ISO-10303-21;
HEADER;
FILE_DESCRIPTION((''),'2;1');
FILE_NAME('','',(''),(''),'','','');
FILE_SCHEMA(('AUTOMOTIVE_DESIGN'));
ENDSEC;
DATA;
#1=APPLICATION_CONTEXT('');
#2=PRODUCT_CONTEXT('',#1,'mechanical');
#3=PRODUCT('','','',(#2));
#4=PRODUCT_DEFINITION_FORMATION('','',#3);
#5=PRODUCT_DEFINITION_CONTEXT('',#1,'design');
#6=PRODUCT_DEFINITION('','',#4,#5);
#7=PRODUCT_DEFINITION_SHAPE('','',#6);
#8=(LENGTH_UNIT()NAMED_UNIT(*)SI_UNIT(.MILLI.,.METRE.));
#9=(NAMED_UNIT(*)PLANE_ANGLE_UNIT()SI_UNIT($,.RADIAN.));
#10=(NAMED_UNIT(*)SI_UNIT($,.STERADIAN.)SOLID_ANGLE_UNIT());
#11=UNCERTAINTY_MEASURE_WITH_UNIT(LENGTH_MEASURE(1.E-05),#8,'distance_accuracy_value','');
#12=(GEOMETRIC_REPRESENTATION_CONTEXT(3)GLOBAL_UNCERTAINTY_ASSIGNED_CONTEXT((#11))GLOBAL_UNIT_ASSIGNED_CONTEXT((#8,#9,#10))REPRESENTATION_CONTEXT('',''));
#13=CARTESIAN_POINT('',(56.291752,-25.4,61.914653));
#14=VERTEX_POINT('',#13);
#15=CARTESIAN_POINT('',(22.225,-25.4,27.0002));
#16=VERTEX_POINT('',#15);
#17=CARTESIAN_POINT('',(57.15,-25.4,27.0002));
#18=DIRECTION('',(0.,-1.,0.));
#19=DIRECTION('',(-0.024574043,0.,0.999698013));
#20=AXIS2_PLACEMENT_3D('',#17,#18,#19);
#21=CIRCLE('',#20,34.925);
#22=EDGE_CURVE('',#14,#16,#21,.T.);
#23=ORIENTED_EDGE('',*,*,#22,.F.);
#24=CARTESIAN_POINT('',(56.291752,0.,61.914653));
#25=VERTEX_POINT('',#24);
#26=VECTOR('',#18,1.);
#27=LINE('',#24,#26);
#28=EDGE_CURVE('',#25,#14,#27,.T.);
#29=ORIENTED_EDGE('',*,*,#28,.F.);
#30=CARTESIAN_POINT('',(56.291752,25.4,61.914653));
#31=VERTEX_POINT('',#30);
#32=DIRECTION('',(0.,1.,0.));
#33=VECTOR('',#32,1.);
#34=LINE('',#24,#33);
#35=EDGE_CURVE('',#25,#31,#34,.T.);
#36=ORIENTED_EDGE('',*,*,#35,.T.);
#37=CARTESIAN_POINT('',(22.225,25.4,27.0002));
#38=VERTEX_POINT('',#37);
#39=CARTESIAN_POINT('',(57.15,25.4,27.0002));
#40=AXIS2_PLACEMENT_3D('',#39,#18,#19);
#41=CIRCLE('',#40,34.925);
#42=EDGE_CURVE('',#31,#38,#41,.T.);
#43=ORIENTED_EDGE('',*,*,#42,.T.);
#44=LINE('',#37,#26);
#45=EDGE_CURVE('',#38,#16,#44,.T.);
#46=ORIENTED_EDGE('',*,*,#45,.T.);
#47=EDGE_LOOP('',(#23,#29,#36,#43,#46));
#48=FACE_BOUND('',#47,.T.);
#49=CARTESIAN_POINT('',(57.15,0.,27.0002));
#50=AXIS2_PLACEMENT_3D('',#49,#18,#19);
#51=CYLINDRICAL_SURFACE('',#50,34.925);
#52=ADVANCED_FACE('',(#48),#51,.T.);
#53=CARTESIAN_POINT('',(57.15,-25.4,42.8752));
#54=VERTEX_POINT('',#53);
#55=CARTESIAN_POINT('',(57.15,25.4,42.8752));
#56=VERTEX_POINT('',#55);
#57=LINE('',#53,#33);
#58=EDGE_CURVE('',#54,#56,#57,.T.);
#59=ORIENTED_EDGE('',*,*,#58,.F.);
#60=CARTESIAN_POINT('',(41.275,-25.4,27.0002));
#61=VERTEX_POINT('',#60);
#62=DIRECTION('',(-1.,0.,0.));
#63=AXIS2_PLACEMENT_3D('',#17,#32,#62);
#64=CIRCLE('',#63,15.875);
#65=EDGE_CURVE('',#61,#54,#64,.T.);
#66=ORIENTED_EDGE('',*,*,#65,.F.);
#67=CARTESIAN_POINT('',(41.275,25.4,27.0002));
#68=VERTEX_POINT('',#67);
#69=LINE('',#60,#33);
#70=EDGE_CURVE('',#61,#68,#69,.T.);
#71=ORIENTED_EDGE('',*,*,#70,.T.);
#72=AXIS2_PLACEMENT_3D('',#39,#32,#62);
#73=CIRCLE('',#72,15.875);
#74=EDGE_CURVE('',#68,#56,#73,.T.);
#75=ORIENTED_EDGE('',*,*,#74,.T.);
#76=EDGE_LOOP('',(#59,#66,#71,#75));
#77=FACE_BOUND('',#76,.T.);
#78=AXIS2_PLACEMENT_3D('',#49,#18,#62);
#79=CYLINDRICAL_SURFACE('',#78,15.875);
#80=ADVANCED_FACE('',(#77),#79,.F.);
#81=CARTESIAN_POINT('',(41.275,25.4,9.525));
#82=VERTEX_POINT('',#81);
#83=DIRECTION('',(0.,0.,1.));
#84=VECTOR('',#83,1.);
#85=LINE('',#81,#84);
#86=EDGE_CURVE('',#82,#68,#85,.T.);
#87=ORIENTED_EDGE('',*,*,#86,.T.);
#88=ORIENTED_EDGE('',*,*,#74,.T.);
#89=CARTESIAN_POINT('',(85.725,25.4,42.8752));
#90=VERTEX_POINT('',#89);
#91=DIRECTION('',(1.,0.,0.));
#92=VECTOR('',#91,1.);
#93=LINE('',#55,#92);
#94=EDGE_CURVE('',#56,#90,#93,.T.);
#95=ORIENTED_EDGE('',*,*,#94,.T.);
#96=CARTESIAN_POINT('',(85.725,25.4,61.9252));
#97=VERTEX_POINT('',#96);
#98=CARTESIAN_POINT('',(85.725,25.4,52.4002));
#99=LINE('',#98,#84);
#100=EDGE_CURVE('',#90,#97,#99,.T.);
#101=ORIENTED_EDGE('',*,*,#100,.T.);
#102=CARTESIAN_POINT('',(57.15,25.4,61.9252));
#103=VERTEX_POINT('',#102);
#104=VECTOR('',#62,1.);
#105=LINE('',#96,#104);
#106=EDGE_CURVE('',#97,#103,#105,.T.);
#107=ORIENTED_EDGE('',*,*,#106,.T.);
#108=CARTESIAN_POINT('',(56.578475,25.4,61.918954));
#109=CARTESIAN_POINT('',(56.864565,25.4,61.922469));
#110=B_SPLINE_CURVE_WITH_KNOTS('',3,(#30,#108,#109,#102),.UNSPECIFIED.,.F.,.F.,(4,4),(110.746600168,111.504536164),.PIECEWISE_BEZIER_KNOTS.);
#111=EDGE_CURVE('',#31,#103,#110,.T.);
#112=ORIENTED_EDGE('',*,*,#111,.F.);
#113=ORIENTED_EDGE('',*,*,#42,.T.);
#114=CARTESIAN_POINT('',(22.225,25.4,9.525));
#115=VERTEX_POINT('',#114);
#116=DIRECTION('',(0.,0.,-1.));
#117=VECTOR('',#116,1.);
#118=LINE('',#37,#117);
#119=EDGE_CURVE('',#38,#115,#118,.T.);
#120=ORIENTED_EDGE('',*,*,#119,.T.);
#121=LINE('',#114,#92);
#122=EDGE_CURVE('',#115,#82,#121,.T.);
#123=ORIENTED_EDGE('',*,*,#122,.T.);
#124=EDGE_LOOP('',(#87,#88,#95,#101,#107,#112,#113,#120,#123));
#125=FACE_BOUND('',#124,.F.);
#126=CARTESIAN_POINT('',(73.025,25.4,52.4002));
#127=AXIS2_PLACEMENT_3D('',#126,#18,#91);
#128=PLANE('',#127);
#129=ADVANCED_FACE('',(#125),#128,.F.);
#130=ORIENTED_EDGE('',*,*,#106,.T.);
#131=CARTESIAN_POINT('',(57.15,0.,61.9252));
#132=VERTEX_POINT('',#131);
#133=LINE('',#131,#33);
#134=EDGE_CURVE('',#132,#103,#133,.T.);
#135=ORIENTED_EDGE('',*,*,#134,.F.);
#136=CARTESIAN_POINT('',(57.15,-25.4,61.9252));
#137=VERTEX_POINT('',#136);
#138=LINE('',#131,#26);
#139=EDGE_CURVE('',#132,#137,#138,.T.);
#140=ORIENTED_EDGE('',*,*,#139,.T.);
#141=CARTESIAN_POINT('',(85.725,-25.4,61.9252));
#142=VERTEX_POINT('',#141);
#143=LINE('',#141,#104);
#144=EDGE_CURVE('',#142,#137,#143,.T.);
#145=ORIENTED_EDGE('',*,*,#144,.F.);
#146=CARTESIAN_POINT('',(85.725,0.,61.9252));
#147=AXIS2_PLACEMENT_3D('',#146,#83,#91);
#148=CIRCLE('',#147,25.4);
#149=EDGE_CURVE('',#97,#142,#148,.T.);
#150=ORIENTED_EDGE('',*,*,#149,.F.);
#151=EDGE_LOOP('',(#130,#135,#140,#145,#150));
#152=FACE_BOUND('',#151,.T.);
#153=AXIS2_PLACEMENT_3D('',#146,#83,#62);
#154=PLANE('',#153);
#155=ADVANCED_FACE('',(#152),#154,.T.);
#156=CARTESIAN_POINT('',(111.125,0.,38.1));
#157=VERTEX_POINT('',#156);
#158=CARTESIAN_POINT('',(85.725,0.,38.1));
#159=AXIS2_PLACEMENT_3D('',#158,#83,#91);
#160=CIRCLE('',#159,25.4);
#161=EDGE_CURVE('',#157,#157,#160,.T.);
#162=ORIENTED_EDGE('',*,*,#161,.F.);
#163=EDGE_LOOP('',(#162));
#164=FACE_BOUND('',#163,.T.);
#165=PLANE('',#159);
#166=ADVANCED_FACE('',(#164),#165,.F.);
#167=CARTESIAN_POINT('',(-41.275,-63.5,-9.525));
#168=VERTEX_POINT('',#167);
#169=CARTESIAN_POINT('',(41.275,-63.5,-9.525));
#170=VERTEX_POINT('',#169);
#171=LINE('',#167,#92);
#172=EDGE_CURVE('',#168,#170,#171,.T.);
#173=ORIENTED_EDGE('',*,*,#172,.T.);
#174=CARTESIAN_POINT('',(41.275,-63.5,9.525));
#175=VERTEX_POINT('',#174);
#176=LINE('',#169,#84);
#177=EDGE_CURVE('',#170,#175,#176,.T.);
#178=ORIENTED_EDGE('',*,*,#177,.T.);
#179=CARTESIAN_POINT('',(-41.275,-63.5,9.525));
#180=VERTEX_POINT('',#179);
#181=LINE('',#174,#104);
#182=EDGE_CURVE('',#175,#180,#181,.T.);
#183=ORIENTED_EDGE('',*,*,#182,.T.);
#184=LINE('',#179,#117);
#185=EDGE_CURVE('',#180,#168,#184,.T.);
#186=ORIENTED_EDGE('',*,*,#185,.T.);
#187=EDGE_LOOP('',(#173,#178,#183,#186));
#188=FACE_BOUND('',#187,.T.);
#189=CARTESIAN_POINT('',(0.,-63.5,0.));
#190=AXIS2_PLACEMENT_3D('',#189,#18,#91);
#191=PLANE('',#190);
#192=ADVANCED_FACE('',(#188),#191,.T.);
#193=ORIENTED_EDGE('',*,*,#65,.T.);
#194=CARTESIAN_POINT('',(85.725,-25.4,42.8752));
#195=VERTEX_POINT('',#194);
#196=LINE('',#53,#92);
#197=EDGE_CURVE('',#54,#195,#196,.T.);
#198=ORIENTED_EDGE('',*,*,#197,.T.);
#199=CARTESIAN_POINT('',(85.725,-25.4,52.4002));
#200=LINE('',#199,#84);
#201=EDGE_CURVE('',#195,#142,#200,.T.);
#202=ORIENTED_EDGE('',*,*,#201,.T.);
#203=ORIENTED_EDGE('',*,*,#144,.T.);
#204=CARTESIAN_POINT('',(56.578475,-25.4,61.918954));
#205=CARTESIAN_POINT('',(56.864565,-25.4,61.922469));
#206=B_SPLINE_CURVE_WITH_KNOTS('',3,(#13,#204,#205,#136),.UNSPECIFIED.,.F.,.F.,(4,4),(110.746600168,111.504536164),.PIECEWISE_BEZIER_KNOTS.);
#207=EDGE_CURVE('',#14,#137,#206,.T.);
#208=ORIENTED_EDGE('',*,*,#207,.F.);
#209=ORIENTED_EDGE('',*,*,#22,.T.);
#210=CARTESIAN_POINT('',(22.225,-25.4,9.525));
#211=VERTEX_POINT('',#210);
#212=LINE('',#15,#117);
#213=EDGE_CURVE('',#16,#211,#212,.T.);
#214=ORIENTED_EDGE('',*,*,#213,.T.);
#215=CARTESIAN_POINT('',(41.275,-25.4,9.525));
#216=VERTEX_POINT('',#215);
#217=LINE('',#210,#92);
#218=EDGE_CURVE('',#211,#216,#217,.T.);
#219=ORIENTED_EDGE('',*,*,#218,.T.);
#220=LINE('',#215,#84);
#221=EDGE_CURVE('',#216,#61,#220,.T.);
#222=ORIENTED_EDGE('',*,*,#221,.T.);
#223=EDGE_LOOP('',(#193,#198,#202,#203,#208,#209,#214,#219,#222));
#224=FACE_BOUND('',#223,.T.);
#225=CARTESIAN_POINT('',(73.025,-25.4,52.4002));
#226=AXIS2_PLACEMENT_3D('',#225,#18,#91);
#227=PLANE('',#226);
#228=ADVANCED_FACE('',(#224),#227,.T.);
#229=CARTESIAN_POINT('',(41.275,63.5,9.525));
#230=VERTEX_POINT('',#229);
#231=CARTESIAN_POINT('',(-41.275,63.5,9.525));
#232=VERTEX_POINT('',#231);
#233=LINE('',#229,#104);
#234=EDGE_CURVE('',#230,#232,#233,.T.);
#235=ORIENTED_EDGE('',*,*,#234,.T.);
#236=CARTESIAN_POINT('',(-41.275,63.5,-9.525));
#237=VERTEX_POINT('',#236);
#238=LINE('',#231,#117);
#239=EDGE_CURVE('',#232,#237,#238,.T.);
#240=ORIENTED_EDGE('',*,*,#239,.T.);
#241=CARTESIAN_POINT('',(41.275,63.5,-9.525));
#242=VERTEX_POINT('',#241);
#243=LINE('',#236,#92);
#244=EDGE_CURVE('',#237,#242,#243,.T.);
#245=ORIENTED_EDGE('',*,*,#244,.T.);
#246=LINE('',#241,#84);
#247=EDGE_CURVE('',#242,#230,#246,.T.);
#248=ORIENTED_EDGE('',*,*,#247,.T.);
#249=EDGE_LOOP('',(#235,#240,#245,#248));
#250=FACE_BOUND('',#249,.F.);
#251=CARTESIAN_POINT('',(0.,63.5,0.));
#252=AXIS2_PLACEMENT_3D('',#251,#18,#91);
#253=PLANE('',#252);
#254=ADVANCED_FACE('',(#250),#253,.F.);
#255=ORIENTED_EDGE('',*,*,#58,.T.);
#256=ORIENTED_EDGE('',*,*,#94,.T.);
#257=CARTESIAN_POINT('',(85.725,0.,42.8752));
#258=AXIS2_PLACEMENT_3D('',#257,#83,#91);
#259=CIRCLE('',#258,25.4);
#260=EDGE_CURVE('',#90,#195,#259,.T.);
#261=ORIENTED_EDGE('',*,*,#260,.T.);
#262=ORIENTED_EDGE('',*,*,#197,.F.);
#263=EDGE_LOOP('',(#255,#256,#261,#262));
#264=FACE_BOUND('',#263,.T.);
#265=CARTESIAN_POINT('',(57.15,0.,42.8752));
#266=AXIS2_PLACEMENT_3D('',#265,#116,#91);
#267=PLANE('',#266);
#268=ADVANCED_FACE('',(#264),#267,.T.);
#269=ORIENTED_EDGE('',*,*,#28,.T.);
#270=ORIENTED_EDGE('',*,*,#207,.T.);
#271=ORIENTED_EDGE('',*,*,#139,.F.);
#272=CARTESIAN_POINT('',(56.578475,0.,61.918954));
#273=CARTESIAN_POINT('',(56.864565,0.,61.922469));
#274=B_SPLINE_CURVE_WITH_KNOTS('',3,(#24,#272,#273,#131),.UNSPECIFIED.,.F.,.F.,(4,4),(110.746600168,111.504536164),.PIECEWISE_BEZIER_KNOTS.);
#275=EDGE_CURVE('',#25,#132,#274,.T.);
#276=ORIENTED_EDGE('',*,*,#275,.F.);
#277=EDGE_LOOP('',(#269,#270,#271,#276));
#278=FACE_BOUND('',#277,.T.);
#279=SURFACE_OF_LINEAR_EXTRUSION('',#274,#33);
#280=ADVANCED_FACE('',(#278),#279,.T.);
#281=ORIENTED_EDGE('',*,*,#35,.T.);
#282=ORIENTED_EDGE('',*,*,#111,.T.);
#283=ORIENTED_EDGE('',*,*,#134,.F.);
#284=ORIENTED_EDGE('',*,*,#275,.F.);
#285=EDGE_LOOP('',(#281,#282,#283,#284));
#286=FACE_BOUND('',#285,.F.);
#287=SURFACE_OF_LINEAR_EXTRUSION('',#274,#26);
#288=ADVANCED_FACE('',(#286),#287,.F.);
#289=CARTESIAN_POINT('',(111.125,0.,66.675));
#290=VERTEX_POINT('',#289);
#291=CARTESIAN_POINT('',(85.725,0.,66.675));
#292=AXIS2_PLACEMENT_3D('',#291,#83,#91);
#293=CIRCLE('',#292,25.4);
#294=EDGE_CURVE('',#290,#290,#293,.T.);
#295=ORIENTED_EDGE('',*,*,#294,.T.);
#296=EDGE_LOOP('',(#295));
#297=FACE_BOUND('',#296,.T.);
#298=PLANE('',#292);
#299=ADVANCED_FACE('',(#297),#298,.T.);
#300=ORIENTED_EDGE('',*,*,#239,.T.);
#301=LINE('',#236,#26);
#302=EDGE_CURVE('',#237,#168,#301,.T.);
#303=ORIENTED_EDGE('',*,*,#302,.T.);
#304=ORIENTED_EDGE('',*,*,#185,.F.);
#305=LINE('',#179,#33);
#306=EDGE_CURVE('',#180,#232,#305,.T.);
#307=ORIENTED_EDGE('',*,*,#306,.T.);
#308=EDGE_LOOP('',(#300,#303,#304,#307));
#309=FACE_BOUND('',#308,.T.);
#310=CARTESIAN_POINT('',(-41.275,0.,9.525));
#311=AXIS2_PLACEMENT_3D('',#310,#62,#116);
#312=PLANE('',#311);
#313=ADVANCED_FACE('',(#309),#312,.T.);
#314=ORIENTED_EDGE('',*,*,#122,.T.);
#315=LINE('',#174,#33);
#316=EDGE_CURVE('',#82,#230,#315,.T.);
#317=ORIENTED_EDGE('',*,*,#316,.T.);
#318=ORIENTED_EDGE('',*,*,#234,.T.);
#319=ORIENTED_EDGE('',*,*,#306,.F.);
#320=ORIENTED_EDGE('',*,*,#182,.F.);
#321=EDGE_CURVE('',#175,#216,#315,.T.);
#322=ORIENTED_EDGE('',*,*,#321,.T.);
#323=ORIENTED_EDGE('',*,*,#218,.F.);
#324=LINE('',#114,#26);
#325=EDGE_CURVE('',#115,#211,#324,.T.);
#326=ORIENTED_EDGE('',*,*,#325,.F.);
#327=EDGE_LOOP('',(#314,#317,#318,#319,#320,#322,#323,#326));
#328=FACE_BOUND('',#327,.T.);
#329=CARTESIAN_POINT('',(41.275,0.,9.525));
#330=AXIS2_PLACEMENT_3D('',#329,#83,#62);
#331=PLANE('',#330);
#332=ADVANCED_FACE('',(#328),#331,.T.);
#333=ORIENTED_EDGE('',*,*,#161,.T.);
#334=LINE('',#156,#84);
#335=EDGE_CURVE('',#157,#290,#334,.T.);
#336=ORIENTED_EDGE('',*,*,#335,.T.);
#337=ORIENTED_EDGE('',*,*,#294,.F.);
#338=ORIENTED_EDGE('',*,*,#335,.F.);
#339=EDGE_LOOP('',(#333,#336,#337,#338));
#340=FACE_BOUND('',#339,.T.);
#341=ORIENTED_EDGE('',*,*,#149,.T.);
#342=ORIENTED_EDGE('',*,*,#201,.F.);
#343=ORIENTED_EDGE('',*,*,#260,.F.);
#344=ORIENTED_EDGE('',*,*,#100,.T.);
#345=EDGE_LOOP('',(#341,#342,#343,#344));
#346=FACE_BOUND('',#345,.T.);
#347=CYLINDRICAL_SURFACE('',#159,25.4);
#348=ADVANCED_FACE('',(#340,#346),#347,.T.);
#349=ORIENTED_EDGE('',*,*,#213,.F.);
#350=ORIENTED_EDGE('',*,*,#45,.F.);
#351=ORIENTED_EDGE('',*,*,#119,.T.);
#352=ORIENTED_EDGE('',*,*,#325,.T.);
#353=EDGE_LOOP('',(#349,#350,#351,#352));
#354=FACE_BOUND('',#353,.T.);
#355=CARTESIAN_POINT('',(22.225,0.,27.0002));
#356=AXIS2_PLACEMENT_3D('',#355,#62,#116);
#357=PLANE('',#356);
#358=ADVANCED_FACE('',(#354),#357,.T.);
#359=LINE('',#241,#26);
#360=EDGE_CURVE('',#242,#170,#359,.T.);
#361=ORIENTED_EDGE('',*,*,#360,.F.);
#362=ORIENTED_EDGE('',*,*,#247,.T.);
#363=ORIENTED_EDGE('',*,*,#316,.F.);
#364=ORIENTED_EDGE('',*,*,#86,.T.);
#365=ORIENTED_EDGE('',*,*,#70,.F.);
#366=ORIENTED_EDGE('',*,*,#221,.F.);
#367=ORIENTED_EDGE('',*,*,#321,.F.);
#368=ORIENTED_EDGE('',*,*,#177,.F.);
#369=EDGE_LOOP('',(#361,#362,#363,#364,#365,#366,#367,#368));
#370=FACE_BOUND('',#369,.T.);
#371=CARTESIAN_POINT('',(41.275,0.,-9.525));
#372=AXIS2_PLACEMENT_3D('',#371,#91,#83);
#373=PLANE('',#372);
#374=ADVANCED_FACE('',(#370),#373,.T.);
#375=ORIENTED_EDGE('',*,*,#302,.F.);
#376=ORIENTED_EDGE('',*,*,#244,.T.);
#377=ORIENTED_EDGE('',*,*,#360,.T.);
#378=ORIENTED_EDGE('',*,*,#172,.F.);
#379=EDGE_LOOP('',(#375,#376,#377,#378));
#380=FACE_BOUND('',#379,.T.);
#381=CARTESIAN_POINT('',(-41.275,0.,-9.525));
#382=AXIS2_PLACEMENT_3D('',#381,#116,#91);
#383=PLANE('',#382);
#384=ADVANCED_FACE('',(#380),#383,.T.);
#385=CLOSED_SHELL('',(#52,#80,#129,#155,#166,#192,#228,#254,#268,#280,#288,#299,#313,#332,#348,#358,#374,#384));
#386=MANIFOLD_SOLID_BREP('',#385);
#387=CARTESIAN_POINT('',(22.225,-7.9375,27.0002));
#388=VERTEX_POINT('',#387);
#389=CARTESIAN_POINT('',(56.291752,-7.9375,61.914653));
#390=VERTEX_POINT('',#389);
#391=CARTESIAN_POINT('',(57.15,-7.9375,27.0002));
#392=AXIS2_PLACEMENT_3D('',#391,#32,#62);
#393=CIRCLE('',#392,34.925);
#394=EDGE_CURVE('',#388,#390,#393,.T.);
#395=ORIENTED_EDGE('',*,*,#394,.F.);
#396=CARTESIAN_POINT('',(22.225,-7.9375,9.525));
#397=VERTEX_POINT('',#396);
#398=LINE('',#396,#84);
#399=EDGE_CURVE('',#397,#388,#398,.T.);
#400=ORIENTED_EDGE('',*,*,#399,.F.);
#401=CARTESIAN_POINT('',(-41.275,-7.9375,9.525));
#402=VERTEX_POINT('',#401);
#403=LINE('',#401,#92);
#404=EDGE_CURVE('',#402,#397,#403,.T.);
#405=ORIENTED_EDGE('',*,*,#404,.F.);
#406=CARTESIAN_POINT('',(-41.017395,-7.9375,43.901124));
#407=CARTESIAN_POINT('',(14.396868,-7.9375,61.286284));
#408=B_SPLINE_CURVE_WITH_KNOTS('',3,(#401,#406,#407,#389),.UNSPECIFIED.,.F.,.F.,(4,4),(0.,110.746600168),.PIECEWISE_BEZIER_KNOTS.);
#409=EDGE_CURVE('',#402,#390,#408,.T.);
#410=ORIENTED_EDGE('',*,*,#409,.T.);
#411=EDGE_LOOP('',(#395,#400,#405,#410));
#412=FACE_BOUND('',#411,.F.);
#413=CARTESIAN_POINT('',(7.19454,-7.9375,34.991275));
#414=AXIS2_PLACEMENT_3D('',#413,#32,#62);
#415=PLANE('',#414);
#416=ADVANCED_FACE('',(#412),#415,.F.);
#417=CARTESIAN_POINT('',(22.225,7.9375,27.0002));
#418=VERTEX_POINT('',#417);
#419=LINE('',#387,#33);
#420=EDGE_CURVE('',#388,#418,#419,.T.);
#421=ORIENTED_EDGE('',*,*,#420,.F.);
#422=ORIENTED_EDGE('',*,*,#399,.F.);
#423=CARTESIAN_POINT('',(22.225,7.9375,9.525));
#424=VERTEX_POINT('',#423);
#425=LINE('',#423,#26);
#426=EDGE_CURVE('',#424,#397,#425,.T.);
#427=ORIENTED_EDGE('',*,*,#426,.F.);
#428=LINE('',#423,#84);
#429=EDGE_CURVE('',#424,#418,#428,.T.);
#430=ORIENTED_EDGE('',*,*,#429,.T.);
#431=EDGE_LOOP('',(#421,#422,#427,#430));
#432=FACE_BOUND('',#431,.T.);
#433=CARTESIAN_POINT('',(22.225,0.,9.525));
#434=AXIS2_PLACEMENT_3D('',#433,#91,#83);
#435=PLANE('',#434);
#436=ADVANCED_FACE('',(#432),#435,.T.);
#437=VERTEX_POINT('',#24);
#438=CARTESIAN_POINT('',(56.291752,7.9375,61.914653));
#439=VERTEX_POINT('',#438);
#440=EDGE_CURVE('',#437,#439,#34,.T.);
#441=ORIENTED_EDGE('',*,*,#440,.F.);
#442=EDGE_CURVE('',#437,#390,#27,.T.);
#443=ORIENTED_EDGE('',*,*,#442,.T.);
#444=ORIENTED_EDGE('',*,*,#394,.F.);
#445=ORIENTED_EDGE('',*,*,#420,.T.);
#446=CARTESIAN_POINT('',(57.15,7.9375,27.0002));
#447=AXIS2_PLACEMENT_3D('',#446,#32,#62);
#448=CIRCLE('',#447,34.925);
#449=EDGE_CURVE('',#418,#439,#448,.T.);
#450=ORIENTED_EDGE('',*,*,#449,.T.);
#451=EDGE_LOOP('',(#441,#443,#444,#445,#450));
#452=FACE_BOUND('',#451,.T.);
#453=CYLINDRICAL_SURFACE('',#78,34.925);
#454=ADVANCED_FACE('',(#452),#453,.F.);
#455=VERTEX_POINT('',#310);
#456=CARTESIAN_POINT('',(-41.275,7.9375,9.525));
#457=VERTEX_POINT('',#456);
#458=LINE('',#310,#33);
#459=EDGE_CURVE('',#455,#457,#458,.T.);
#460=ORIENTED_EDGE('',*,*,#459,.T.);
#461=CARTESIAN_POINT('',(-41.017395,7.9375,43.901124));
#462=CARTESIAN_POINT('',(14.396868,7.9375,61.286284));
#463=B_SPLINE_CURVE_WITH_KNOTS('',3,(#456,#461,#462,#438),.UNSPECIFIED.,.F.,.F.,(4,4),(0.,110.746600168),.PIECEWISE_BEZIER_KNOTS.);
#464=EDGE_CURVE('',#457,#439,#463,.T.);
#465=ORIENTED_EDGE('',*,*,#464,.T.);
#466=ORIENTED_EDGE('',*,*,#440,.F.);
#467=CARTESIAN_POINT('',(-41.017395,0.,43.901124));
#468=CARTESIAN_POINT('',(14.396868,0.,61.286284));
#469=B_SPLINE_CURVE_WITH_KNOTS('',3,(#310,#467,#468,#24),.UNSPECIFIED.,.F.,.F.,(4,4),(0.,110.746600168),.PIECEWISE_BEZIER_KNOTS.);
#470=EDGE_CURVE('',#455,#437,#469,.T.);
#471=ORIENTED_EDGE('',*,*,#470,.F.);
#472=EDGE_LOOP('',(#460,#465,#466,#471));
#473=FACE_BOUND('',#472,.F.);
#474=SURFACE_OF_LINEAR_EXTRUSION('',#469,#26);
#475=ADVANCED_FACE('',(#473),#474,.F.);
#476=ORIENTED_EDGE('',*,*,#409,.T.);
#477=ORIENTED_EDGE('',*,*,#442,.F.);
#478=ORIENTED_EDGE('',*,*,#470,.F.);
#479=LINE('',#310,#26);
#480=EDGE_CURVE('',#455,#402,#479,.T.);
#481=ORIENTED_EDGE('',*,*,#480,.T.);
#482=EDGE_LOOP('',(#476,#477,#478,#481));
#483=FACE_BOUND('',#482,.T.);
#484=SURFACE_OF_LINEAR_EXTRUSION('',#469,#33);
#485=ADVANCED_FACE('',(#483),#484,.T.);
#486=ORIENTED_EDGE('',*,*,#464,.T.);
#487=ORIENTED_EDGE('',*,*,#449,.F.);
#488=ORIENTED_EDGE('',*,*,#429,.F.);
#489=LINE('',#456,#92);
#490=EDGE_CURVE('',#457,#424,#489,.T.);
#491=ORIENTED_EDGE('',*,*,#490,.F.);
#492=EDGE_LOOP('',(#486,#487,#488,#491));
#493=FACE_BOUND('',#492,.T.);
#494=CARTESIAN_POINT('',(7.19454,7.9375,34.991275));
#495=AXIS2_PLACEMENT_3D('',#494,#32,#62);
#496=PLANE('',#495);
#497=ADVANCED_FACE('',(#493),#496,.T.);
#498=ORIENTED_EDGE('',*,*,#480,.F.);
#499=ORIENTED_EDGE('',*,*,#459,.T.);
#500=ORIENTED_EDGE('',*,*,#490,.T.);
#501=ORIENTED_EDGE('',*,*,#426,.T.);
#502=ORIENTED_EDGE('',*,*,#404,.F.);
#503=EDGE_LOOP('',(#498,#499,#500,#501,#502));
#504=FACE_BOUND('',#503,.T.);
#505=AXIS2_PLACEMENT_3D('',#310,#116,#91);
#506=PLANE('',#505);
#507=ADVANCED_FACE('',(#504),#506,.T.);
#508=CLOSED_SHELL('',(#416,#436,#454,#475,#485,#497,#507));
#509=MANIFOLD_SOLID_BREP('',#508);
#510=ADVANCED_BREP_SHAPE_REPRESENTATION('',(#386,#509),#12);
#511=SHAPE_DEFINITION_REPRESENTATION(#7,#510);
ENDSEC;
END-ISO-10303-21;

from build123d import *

# Parameters (mm, degrees)
F1_DEPTH = 63.5
F0_W     = 25.4
F0_H     = 19.05
F2_DEPTH = 25.4
F3_DEPTH = 7.9375


with BuildPart() as f1:
    # F0 (on Front) → F1 (new body, symmetric)
    with BuildSketch(Plane.XZ):
        Polygon((-41.275, 9.525), (-41.275, -9.525), (41.275, -9.525), (41.275, 9.525), (22.225, 9.525), align=None)
    extrude(amount=F1_DEPTH, both=True)

    # F0 (on Front) → F2 (join, symmetric)
    with BuildSketch(Plane.XZ):
        with Locations((73.025, 52.4002)):
            Rectangle(F0_W, F0_H)
        with BuildLine():
            Line((22.225, 9.525), (41.275, 9.525))
            Line((41.275, 9.525), (41.275, 27.0002))
            ThreePointArc((41.275, 27.0002), (45.9246798487, 38.2255201513), (57.15, 42.8752))
            Line((57.15, 42.8752), (60.325, 42.8752))
            Line((60.325, 42.8752), (60.325, 61.9252))
            Line((60.325, 61.9252), (57.15, 61.9252))
            add(Edge.make_bspline(
                [(56.2917515446, 61.9146530902), (56.5784749306, 61.9189535671), (56.8645650873, 61.9224691787), (57.15, 61.9252)],
                knots=[110.7466001681, 110.7466001681, 110.7466001681, 110.7466001681, 111.5045361635, 111.5045361635, 111.5045361635, 111.5045361635], degree=3))
            ThreePointArc((56.2917515446, 61.9146530902), (32.1527006228, 51.3905802522), (22.225, 27.0002))
            Line((22.225, 27.0002), (22.225, 9.525))
        make_face()
    extrude(amount=F2_DEPTH, both=True)

    # F0 (on Front) → F4 (revolve)
    with BuildSketch(Plane.XZ):
        Polygon((85.725, 66.675), (85.725, 61.9252), (85.725, 42.8752), (85.725, 38.1), (111.125, 38.1), (111.125, 66.675), align=None)
    revolve(axis=Axis((85.725, 0, 52.3875), (0, 0, 1)))


with BuildPart() as f3:
    # F0 (on Front) → F3 (new body, symmetric)
    with BuildSketch(Plane.XZ):
        with BuildLine():
            add(Edge.make_bspline(
                [(-41.275, 9.525), (-41.0173954641, 43.90112416), (14.396868092, 61.286284473), (56.2917515446, 61.9146530902)],
                knots=[0, 0, 0, 0, 110.7466001681, 110.7466001681, 110.7466001681, 110.7466001681], degree=3))
            Line((-41.275, 9.525), (22.225, 9.525))
            Line((22.225, 9.525), (22.225, 27.0002))
            ThreePointArc((22.225, 27.0002), (32.1527006228, 51.3905802522), (56.2917515446, 61.9146530902))
        make_face()
    extrude(amount=F3_DEPTH, both=True)


solid = Compound([f1.part, f3.part])
